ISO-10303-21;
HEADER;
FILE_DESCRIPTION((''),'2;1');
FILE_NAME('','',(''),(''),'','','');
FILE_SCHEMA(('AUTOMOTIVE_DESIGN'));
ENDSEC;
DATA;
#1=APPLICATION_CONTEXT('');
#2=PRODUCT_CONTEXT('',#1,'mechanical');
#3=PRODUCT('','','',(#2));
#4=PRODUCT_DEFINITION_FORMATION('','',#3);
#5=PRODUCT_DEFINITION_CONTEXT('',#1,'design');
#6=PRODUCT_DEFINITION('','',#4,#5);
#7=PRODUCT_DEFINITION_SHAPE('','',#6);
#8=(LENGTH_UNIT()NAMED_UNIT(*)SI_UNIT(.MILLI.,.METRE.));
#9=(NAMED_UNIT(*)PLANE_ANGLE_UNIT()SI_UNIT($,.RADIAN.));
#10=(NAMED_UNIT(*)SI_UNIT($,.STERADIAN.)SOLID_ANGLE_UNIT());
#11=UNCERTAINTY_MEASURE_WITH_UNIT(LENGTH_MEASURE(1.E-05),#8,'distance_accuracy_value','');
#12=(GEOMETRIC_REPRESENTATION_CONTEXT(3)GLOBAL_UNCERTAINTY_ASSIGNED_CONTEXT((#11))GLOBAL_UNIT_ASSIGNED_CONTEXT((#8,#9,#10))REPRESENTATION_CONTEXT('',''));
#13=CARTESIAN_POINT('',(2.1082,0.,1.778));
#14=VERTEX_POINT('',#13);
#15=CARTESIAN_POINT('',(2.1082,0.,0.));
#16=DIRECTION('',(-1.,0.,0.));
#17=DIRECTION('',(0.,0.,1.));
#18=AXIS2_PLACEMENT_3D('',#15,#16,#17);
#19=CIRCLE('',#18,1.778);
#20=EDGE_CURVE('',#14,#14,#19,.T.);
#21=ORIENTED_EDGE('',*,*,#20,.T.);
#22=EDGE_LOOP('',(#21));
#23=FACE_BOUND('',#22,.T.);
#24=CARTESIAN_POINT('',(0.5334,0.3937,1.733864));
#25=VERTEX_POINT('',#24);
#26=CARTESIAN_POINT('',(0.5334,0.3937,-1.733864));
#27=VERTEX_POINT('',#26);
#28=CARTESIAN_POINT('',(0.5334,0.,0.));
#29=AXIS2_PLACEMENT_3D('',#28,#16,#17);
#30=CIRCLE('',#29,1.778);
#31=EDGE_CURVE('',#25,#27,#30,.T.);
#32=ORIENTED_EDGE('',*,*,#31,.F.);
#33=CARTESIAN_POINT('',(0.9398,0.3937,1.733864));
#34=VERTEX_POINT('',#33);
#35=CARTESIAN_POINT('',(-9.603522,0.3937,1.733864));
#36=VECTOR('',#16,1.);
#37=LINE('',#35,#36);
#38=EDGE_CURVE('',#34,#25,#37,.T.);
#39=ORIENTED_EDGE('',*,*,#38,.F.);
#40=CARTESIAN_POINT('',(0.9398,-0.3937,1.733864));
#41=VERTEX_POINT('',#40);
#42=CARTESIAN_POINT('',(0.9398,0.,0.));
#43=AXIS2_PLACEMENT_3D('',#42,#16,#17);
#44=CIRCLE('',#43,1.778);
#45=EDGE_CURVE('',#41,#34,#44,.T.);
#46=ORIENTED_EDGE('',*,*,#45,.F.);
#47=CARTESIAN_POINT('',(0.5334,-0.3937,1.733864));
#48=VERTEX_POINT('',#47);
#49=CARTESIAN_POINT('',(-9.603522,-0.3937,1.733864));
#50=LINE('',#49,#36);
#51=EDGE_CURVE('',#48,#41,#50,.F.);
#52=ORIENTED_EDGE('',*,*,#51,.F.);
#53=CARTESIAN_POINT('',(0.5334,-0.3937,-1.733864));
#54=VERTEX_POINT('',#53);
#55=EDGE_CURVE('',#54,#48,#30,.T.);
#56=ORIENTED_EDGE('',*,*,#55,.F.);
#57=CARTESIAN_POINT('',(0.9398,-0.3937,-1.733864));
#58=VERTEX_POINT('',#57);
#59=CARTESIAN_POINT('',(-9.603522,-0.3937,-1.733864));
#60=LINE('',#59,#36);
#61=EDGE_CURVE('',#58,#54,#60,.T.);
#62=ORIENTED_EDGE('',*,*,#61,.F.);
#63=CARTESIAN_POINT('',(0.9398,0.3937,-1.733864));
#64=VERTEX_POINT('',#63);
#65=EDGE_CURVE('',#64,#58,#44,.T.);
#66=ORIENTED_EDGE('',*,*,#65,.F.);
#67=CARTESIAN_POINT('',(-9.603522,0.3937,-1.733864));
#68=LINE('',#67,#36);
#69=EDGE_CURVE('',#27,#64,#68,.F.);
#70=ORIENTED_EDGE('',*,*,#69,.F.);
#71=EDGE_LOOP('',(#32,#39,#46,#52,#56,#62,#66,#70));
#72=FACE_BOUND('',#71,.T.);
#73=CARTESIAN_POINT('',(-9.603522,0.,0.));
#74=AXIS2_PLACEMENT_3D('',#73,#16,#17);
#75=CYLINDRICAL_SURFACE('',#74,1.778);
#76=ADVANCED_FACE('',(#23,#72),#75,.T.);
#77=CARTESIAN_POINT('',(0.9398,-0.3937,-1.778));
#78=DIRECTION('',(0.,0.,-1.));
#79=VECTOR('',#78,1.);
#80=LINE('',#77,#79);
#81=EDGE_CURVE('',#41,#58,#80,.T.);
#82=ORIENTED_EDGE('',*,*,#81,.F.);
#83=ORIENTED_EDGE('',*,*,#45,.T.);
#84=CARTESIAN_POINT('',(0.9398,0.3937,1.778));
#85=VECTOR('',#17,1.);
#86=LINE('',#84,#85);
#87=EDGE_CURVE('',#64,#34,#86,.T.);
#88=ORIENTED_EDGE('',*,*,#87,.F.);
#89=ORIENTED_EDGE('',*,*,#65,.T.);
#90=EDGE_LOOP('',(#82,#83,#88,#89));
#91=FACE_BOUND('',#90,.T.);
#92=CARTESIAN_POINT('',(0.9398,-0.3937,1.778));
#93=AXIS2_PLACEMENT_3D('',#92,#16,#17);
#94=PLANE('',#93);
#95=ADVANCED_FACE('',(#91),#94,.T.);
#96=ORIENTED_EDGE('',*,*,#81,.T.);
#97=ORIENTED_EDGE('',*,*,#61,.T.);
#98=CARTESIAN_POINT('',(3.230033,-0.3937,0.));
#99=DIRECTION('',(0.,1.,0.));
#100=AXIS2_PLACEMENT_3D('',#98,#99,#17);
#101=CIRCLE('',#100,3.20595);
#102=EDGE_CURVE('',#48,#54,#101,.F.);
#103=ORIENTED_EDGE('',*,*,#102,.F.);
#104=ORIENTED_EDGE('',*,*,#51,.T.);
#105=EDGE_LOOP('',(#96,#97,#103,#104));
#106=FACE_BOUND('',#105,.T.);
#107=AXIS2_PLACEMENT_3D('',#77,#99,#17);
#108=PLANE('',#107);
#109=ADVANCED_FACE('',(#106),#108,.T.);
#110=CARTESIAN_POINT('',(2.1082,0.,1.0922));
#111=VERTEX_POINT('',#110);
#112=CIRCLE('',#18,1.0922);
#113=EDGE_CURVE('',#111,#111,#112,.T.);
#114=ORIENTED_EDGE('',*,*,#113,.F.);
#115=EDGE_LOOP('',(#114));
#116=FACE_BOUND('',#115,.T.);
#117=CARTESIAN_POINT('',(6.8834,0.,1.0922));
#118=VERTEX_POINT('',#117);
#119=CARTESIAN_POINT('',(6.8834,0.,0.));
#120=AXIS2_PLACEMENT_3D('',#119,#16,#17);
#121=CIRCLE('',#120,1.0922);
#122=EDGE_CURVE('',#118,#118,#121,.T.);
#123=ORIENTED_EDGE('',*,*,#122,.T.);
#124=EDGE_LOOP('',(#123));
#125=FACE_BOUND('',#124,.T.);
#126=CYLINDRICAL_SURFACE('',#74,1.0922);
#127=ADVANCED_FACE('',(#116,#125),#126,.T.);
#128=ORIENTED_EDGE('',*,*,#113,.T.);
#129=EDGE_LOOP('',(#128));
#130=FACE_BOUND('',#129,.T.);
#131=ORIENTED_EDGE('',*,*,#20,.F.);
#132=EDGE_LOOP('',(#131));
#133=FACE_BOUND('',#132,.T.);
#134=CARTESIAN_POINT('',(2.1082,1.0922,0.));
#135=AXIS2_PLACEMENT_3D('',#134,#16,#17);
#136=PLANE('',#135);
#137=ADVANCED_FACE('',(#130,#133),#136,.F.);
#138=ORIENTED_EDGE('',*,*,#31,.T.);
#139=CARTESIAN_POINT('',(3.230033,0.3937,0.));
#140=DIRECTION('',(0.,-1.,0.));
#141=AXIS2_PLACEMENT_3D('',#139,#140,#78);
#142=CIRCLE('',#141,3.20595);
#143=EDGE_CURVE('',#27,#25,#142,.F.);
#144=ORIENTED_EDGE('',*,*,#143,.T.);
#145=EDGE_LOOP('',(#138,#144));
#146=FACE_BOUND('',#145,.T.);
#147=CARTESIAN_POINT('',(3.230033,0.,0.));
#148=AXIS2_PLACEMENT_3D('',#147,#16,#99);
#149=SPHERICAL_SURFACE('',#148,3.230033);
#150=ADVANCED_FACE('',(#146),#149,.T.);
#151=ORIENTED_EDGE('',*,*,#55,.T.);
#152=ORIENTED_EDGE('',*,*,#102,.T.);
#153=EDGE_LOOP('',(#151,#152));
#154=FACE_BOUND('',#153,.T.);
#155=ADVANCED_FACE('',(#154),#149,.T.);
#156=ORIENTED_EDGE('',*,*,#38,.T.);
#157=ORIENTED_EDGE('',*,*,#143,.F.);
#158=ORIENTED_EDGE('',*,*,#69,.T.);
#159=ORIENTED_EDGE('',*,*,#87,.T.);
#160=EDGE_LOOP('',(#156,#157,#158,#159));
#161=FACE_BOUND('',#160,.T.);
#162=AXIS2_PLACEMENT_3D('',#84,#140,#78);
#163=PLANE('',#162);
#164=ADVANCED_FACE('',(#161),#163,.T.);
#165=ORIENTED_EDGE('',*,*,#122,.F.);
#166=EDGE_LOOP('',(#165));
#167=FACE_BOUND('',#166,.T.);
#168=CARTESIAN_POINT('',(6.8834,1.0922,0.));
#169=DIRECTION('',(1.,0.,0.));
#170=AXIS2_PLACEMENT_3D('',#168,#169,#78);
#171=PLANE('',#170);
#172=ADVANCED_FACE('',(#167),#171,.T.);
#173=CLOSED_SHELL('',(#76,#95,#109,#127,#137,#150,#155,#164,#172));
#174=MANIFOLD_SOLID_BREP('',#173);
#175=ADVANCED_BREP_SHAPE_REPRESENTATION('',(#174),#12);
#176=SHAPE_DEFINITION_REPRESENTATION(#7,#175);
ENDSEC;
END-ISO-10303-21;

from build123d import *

# Parameters (mm, degrees)
SKETCH2_W  = 3.556
SKETCH2_H  = 0.7874
SLOT_DEPTH = 0.9398


with BuildPart() as part:
    # BodySke → Base-Revolve (revolve)
    with BuildSketch(Plane.XY, mode=Mode.PRIVATE) as base_revolve_sk:
        with BuildLine():
            Line((2.1082, 1.0922), (2.1082, 1.778))
            Line((2.1082, 1.778), (0.5334, 1.778))
            ThreePointArc((0.5334, 1.778), (0.136222505, 0.928143249), (0, 0))
            Line((0, 0), (6.8834, 0))
            Line((6.8834, 0), (6.8834, 1.0922))
            Line((6.8834, 1.0922), (2.1082, 1.0922))
        make_face()
    revolve(base_revolve_sk.sketch.rotate(Axis((-9.603521982, 0, 0), (1, 0, 0)), 90), axis=Axis((-9.603521982, 0, 0), (1, 0, 0)))  # turned: the seam where the file's is

    # Sketch2 → Slot (cut)
    with BuildSketch(Plane(origin=(0, 0, 0), x_dir=(0, 0, -1), z_dir=(1, 0, 0))):
        Rectangle(SKETCH2_W, SKETCH2_H)
    extrude(amount=SLOT_DEPTH, mode=Mode.SUBTRACT)


solid = part.part
